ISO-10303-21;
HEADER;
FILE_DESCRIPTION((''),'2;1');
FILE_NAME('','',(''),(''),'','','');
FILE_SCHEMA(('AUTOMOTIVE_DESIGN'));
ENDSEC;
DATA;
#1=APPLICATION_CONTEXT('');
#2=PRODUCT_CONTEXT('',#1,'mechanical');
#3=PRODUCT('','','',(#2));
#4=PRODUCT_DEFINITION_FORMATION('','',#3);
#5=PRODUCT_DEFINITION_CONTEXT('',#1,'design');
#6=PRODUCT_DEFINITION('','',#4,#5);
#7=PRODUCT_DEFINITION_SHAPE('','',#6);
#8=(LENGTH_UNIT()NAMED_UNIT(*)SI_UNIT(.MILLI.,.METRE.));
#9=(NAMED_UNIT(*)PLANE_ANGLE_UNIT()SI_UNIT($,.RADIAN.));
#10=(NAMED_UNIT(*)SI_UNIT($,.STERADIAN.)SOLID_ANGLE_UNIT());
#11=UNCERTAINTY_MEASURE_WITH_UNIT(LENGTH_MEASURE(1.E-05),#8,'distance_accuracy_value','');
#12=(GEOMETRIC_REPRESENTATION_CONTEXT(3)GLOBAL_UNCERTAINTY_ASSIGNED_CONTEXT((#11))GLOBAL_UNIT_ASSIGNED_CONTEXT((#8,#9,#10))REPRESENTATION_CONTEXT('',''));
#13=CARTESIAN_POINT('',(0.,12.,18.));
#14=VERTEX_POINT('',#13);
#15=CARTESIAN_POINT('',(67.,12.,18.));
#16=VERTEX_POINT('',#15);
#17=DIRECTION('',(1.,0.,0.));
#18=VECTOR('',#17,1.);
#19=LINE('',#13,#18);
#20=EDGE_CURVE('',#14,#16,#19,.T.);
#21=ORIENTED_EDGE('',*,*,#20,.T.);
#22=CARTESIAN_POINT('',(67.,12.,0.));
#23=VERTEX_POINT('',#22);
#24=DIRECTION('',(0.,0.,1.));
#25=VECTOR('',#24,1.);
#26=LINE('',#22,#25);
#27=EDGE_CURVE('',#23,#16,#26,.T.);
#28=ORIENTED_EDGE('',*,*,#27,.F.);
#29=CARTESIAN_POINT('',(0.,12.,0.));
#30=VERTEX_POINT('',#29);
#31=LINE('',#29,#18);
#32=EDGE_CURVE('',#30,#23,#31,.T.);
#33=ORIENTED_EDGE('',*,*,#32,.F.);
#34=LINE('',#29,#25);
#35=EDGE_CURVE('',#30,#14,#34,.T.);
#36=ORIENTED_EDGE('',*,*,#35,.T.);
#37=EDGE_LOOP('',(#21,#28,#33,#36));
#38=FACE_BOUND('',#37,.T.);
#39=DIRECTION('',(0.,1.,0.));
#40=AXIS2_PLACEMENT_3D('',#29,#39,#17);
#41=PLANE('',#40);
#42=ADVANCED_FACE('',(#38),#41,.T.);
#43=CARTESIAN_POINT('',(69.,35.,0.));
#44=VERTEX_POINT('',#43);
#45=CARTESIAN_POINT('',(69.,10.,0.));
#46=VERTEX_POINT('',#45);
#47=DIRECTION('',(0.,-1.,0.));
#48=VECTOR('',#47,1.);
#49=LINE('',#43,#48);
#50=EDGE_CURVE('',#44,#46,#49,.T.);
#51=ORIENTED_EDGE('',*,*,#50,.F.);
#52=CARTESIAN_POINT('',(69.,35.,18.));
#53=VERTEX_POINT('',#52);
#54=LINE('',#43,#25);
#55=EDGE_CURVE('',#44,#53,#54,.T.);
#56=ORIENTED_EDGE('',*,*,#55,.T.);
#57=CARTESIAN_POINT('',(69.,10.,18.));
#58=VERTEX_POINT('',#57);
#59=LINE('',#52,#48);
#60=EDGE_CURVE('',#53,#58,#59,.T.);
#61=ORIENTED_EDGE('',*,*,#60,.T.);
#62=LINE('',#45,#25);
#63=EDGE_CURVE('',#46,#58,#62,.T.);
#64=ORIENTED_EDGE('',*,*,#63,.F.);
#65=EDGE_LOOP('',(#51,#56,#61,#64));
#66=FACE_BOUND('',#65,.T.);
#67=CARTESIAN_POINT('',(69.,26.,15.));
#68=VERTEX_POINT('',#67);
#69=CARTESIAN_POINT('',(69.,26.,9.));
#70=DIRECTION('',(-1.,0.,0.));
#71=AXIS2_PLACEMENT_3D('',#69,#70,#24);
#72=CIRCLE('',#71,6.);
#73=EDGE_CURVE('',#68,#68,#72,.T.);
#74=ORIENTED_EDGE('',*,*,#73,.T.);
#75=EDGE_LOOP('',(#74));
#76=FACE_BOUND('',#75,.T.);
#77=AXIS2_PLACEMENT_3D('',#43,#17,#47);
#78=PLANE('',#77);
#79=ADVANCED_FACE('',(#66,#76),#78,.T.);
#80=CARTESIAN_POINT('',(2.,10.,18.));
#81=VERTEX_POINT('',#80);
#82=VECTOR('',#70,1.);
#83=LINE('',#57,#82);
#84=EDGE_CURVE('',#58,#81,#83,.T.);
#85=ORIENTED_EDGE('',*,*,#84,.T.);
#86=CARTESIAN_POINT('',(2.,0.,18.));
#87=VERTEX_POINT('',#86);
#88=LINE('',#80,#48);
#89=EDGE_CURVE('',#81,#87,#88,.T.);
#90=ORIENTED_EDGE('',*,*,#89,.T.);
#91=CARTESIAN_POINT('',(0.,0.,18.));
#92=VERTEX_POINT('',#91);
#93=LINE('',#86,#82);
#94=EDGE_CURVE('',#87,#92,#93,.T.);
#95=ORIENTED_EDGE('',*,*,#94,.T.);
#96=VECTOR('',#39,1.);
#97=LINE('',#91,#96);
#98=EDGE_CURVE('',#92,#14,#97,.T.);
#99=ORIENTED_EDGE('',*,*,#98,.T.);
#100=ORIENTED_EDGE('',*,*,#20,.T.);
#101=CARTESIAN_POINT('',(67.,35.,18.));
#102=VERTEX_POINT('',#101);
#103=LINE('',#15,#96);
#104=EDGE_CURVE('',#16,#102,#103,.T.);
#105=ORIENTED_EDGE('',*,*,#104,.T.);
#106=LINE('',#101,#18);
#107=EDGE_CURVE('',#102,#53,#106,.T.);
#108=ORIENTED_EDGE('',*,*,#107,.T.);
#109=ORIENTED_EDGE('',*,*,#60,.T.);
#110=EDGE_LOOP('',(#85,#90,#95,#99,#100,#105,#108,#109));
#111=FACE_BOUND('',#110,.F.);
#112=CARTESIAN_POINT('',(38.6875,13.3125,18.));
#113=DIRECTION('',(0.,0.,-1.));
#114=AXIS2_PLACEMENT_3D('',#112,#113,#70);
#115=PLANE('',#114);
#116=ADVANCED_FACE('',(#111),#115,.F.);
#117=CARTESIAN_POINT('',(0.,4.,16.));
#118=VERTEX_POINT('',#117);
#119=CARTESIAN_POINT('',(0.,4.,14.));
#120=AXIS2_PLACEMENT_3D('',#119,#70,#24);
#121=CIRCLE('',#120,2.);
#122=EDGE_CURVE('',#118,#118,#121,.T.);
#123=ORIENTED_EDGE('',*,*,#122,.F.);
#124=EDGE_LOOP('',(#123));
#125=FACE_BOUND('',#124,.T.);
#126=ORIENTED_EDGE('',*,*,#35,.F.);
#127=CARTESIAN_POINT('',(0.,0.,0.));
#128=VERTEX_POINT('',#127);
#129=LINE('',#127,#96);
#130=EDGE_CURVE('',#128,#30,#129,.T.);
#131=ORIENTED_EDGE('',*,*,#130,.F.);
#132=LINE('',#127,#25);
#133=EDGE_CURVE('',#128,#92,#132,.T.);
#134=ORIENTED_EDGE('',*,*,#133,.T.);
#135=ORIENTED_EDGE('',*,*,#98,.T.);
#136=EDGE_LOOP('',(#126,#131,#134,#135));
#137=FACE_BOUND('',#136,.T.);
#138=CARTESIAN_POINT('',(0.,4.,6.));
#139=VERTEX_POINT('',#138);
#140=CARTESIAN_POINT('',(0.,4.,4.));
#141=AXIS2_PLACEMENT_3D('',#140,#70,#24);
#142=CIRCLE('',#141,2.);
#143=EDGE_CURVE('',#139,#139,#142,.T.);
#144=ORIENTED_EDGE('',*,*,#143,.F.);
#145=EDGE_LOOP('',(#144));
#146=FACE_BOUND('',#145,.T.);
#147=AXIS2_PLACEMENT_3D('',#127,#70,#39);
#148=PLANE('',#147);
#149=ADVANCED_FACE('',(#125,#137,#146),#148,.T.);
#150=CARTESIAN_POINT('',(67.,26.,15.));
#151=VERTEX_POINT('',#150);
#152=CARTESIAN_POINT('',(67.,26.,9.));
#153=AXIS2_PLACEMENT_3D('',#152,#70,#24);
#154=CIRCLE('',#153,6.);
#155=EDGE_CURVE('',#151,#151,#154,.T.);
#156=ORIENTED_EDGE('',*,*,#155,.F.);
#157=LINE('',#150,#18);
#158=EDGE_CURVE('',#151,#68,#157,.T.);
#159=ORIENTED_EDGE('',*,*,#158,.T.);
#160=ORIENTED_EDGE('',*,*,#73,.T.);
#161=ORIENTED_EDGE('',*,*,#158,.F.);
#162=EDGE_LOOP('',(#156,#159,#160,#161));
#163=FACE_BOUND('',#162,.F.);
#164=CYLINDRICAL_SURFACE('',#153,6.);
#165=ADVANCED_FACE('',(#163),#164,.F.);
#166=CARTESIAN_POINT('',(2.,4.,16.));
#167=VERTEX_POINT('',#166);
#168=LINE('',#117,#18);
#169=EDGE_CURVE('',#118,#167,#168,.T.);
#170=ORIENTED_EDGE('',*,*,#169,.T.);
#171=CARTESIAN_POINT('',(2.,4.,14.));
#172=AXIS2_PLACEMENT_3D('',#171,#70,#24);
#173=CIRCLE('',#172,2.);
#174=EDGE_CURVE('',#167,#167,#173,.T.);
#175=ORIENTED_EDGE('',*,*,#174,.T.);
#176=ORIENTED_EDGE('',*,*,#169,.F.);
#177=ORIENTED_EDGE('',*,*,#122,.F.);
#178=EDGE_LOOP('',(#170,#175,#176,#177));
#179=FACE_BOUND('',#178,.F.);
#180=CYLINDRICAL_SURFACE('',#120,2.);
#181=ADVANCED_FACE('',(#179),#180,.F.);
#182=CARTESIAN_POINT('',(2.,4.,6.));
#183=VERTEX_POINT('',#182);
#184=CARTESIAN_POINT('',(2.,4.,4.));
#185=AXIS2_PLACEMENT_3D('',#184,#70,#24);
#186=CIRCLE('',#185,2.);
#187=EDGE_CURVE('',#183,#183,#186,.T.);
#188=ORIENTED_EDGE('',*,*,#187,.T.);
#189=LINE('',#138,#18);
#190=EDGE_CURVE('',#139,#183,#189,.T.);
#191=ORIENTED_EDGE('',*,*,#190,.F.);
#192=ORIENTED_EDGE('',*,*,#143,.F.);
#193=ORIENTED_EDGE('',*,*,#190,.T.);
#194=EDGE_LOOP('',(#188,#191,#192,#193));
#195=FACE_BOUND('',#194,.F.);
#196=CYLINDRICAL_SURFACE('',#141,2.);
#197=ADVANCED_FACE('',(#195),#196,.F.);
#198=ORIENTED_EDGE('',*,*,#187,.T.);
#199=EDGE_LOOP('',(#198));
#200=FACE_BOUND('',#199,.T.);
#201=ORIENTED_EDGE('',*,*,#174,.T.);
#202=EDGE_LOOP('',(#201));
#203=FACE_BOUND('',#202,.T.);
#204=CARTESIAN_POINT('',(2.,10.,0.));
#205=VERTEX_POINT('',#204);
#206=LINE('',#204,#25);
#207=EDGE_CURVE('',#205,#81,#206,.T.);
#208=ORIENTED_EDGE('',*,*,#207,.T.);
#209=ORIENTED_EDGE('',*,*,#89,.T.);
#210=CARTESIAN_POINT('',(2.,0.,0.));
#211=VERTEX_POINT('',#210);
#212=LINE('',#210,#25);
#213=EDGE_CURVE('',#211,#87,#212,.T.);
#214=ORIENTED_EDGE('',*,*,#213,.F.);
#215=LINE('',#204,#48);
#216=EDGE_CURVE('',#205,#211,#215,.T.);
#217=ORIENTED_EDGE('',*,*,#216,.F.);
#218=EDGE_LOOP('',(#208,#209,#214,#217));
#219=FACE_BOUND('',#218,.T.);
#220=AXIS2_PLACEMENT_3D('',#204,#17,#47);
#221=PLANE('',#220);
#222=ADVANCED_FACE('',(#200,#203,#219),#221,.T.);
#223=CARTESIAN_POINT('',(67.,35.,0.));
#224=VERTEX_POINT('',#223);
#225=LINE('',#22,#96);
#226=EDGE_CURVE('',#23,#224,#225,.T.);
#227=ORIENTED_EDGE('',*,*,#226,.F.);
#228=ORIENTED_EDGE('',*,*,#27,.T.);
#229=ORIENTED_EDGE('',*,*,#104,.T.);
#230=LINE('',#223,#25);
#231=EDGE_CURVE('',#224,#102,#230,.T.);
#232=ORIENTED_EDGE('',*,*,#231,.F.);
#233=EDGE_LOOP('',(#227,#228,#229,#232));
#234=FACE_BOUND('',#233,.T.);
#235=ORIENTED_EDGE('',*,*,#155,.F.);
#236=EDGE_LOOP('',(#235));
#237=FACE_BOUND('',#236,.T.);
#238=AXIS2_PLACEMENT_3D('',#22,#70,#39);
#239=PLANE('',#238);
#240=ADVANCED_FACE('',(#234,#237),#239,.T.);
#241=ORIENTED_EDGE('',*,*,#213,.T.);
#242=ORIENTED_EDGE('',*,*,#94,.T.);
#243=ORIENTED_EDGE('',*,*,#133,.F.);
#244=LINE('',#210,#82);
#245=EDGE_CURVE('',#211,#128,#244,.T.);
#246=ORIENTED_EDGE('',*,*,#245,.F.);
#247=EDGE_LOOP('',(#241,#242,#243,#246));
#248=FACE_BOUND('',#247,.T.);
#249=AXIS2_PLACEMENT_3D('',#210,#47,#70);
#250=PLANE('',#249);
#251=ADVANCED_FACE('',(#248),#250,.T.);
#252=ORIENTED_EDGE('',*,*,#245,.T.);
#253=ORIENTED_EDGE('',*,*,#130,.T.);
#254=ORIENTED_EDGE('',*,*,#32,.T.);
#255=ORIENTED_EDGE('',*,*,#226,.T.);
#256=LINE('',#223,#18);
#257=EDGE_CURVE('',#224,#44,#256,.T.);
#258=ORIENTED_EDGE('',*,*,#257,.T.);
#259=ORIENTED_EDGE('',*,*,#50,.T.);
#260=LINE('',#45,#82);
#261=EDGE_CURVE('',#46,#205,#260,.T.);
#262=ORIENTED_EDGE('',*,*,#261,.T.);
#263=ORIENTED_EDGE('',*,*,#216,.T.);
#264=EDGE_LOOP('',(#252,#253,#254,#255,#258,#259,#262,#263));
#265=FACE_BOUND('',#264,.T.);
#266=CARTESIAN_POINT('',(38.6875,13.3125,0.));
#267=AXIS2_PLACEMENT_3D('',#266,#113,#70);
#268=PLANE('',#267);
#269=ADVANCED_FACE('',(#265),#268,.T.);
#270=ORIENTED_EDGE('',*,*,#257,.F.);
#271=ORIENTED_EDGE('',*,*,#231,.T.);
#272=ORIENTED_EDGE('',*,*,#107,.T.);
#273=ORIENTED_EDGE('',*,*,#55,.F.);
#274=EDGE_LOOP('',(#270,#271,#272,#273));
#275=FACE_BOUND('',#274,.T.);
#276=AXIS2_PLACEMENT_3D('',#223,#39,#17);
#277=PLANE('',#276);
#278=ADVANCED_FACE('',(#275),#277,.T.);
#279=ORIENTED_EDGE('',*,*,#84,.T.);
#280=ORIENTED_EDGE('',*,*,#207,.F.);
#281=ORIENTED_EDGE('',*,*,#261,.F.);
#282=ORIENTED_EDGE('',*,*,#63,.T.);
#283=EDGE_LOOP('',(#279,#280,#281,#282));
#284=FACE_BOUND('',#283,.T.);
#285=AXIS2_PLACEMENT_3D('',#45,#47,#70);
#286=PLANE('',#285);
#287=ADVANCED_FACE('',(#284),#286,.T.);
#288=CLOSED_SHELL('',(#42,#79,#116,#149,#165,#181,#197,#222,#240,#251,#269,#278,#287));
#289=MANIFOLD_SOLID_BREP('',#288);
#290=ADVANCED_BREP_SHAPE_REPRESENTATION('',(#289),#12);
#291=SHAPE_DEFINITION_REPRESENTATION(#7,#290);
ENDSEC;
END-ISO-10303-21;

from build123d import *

# Parameters (mm, degrees)
BOSS_EXTRUDE1_DEPTH = 18
CUT_EXTRUDE1_REACH  = 71
SKETCH2_R           = 2
CUT_EXTRUDE2_REACH  = 4
SKETCH3_R           = 6


with BuildPart() as part:
    # Sketch1 → Boss-Extrude1 (new body)
    with BuildSketch(Plane.XY):
        Polygon((0, 0), (0, 12), (67, 12), (67, 35), (69, 35), (69, 10), (2, 10), (2, 0), align=None)
    extrude(amount=BOSS_EXTRUDE1_DEPTH)

    # Sketch2 → Cut-Extrude1 (cut, up to next)
    with BuildSketch(Plane.ZY, mode=Mode.PRIVATE) as cut_extrude1_sk1:
        with Locations((4, 4)):
            Circle(SKETCH2_R)
    cut_extrude1_tool1 = extrude(cut_extrude1_sk1.sketch, amount=-CUT_EXTRUDE1_REACH, mode=Mode.PRIVATE) & part.part
    add(cut_extrude1_tool1.solids().sort_by_distance((0, 4, 4))[0], mode=Mode.SUBTRACT)
    # Sketch2 → Cut-Extrude1 (cut, up to next)
    with BuildSketch(Plane.ZY, mode=Mode.PRIVATE) as cut_extrude1_sk2:
        with Locations((14, 4)):
            Circle(SKETCH2_R)
    cut_extrude1_tool2 = extrude(cut_extrude1_sk2.sketch, amount=-CUT_EXTRUDE1_REACH, mode=Mode.PRIVATE) & part.part
    add(cut_extrude1_tool2.solids().sort_by_distance((0, 4, 14))[0], mode=Mode.SUBTRACT)

    # Sketch3 → Cut-Extrude2 (cut, up to next)
    with BuildSketch(Plane.ZY.offset(-67), mode=Mode.PRIVATE) as cut_extrude2_sk1:
        with Locations((9, 26)):
            Circle(SKETCH3_R)
    cut_extrude2_tool1 = extrude(cut_extrude2_sk1.sketch, amount=-CUT_EXTRUDE2_REACH, mode=Mode.PRIVATE) & part.part
    add(cut_extrude2_tool1.solids().sort_by_distance((67, 26, 9))[0], mode=Mode.SUBTRACT)


solid = part.part
